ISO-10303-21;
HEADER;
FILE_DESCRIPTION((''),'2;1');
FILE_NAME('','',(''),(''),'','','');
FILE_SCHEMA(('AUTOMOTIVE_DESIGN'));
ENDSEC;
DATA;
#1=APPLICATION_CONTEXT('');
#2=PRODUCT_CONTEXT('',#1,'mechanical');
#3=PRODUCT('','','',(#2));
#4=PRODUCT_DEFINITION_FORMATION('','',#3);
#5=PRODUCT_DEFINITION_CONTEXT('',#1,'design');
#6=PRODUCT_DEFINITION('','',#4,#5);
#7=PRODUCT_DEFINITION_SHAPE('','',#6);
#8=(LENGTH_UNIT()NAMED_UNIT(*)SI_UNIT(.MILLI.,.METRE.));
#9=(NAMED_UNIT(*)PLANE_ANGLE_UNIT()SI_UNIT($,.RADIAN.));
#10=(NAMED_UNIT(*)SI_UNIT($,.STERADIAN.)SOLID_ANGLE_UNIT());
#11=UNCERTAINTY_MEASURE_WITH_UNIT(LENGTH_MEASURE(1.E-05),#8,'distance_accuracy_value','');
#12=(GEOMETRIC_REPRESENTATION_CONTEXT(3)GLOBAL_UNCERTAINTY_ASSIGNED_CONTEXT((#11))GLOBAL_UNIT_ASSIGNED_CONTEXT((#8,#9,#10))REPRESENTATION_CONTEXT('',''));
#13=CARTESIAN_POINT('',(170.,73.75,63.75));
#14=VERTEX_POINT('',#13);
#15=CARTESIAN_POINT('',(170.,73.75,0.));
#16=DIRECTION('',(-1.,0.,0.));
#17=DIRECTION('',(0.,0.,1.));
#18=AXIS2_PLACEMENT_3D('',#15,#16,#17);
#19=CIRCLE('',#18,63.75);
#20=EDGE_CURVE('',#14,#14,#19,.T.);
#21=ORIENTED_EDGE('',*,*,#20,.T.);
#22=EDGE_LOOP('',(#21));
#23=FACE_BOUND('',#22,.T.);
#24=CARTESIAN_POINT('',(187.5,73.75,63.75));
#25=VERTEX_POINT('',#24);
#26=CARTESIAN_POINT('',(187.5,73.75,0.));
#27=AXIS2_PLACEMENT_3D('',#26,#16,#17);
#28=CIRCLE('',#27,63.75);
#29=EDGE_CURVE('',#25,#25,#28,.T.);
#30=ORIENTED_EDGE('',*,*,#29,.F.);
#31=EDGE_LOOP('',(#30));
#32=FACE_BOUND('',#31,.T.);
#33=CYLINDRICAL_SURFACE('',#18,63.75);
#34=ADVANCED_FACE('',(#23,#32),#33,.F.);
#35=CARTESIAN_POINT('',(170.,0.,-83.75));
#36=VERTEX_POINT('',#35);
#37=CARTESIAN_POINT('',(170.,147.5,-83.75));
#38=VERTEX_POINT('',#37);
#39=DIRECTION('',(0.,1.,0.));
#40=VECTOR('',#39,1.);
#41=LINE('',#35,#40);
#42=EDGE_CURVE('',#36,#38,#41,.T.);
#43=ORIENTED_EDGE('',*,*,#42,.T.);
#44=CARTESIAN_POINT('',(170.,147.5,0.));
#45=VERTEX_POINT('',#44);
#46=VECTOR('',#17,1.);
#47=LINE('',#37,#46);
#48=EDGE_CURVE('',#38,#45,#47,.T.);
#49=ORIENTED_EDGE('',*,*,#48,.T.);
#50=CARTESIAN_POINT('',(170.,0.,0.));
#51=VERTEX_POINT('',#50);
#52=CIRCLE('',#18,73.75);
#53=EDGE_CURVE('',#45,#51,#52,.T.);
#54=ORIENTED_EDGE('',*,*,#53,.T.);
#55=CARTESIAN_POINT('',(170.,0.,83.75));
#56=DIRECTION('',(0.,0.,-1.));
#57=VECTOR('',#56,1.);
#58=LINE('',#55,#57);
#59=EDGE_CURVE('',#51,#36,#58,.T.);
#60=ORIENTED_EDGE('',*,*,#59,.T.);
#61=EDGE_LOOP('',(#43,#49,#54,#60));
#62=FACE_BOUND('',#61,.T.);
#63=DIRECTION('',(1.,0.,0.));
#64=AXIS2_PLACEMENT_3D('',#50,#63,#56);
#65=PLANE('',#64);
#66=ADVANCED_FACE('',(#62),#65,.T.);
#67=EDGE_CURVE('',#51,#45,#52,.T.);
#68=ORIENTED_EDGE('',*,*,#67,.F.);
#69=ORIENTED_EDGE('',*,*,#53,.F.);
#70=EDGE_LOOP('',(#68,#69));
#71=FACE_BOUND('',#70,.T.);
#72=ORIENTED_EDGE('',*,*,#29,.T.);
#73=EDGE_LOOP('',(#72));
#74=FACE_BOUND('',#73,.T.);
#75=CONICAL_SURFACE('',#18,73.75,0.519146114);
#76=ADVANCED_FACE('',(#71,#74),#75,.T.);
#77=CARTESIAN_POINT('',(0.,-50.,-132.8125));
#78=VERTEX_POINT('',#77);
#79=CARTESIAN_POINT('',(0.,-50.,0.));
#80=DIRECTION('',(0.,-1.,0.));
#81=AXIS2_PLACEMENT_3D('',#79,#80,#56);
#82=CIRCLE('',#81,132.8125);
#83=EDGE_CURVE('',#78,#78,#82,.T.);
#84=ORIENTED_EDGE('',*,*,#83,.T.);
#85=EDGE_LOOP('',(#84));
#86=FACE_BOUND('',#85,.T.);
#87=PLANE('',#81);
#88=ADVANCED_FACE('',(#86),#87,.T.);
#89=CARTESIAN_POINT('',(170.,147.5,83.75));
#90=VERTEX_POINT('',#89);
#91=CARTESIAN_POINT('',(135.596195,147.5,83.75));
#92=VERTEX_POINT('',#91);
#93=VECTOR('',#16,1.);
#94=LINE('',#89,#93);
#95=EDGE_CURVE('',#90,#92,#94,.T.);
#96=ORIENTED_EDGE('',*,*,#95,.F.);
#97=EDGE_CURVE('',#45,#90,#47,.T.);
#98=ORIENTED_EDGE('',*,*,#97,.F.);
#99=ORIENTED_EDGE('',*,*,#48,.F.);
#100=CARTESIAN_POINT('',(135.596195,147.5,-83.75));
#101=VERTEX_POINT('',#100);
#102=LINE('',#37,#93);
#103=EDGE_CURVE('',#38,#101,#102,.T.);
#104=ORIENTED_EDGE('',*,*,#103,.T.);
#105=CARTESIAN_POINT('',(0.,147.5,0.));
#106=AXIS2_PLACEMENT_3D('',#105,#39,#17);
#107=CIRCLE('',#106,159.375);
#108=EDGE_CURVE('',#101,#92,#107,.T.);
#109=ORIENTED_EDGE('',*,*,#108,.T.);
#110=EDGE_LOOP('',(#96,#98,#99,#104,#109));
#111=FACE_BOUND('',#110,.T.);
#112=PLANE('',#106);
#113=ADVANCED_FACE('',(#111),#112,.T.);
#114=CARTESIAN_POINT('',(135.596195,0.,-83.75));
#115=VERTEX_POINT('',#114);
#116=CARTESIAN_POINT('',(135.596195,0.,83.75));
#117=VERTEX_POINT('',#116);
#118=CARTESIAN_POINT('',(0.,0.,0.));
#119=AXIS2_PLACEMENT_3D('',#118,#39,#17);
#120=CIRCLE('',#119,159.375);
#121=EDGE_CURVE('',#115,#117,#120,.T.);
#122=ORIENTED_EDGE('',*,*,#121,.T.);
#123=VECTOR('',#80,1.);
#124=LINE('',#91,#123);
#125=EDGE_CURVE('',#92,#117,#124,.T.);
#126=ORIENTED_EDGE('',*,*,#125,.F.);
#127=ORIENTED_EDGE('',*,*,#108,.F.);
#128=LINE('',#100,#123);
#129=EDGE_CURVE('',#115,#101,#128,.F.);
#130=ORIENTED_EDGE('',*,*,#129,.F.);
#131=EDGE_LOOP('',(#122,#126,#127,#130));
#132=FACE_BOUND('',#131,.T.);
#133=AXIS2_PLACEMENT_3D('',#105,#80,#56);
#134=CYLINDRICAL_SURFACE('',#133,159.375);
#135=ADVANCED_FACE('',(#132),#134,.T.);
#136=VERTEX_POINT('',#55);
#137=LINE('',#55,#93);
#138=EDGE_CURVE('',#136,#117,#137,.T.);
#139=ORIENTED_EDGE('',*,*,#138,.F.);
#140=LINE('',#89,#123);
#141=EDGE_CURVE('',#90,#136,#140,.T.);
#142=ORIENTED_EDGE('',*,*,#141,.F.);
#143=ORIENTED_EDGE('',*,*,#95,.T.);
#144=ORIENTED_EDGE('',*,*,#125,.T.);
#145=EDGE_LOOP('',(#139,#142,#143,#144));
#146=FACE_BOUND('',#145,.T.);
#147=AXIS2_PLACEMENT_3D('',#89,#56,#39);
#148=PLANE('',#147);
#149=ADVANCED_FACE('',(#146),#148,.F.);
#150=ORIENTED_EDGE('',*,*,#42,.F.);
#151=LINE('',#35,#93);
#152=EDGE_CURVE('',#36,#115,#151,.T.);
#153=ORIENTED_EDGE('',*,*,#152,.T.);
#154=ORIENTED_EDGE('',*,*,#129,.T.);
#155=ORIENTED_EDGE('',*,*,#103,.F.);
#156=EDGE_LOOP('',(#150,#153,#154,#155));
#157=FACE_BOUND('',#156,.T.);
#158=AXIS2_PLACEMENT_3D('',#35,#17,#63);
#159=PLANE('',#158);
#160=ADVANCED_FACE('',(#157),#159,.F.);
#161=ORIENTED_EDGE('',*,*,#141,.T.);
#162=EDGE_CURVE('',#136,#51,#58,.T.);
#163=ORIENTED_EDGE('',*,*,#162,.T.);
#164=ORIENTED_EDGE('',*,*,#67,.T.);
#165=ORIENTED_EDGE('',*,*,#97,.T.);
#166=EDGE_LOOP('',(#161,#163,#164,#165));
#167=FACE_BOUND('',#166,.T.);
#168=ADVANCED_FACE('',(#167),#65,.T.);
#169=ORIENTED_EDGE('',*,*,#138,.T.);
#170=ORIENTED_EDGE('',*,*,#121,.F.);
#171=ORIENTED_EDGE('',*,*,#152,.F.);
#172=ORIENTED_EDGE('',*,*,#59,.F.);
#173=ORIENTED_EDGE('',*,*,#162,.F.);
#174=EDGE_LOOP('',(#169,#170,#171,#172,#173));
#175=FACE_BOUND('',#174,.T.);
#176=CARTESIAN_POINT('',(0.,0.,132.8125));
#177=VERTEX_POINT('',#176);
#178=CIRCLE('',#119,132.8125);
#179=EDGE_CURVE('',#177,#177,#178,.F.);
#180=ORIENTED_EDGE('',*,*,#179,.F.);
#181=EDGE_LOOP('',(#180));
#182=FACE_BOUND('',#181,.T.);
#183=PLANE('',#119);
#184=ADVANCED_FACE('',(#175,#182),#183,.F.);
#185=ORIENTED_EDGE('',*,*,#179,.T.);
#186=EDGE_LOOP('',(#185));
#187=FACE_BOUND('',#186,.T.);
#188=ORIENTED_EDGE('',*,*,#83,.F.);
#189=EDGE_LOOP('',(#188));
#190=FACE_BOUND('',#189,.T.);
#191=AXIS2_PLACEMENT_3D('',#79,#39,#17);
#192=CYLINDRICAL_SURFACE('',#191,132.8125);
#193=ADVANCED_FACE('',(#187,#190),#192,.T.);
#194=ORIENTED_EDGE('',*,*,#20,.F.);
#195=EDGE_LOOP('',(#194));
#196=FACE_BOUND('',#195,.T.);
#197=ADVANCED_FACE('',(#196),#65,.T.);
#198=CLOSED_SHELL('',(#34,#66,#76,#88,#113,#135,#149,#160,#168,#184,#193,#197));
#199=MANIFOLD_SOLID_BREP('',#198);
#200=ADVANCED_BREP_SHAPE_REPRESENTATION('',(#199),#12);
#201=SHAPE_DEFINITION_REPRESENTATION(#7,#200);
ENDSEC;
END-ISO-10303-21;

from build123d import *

# Parameters (mm, degrees)
SKETCH1_R           = 159.375
BOSS_EXTRUDE1_DEPTH = 147.5
SKETCH2_W           = 167.5
SKETCH2_H           = 147.5
BOSS_EXTRUDE2_DEPTH = 170
SKETCH5_R           = 132.8125
BOSS_EXTRUDE3_DEPTH = 50


with BuildPart() as part:
    # Sketch1 → Boss-Extrude1 (new body)
    with BuildSketch(Plane(origin=(0, 0, 0), x_dir=(1, 0, 0), z_dir=(0, 1, 0))):
        with Locations(Location((0, 0, 0), (0, 0, 270))):
            Circle(SKETCH1_R)
    extrude(amount=BOSS_EXTRUDE1_DEPTH)

    # Sketch2 → Boss-Extrude2 (add)
    with BuildSketch(Plane(origin=(0, 0, 0), x_dir=(0, 0, -1), z_dir=(1, 0, 0))):
        with Locations((0, 73.75)):
            Rectangle(SKETCH2_W, SKETCH2_H)
    extrude(amount=BOSS_EXTRUDE2_DEPTH)

    # Sketch4 → Revolve1 (revolve)
    with BuildSketch(Plane.XY, mode=Mode.PRIVATE) as revolve1_sk:
        Polygon((170, 0), (170, 10), (187.5, 10), align=None)
    revolve(revolve1_sk.sketch.rotate(Axis((170, 73.75, 0), (1, 0, 0)), 270), axis=Axis((170, 73.75, 0), (1, 0, 0)))

    # Sketch5 → Boss-Extrude3 (add)
    with BuildSketch(Plane(origin=(0, 0, 0), x_dir=(-1, 0, 0), z_dir=(0, -1, 0))):
        with Locations(Location((0, 0, 0), (0, 0, 270))):
            Circle(SKETCH5_R)
    extrude(amount=BOSS_EXTRUDE3_DEPTH)


solid = part.part
